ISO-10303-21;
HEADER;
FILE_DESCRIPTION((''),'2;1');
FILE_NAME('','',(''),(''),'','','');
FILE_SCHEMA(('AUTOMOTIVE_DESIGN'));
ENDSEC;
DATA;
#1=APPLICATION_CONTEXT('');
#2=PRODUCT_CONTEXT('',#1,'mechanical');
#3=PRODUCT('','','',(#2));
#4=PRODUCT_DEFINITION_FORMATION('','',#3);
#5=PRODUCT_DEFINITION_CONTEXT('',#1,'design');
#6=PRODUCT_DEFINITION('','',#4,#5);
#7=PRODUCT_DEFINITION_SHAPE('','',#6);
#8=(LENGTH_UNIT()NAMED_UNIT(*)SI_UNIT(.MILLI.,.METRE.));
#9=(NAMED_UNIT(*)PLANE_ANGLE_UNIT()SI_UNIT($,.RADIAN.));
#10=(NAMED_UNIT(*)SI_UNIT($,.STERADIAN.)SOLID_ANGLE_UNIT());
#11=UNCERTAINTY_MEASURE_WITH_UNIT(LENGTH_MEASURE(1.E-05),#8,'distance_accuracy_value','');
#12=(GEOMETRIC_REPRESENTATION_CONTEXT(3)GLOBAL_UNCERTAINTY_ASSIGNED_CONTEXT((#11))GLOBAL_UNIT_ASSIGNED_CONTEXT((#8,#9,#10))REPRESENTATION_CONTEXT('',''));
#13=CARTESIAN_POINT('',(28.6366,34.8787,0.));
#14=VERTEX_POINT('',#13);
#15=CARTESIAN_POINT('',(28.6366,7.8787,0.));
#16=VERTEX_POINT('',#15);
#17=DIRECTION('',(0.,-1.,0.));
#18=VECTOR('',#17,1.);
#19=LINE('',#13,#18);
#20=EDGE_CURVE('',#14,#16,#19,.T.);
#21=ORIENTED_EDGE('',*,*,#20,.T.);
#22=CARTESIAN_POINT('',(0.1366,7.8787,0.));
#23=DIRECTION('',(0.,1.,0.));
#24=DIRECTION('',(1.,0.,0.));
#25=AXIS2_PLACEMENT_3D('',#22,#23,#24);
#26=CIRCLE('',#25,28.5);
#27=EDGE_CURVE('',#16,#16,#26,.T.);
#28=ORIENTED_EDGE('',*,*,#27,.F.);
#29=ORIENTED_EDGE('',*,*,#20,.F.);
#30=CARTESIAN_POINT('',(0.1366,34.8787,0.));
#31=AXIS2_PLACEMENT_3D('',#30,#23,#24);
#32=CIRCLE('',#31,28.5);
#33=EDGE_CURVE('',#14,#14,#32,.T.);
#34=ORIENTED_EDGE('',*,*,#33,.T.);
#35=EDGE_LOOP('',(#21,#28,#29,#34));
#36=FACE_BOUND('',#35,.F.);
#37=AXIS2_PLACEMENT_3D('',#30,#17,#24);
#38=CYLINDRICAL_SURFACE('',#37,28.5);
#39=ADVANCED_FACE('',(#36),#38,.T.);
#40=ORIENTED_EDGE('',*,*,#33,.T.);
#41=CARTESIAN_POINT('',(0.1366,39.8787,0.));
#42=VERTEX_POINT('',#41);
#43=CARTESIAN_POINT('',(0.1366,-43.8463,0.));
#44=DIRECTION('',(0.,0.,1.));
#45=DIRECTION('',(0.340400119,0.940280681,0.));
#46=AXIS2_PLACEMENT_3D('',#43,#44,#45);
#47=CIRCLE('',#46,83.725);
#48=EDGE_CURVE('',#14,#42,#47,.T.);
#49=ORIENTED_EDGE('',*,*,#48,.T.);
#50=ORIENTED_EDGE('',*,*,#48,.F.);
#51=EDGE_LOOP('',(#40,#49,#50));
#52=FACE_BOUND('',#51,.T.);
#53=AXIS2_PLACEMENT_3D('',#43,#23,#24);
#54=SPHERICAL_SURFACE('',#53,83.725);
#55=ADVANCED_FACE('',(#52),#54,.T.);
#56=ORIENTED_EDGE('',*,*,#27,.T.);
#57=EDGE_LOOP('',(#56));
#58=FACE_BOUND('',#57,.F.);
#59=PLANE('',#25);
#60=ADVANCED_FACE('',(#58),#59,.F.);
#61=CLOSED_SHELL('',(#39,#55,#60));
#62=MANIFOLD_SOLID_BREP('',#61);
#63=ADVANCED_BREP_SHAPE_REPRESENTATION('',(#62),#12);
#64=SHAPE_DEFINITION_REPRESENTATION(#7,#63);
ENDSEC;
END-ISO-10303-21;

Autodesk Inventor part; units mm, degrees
ref_plane "YZ Plane" through (0, 0, 0) normal (1, 0, 0) x (0, 1, 0)
ref_plane "XZ Plane" through (0, 0, 0) normal (0, 1, 0) x (-1, 0, 0)
ref_plane "XY Plane" through (0, 0, 0) normal (0, 0, 1) x (1, 0, 0)
sketch "Sketch1" plane through (0, 0, 0) normal (0, 0, 1) x (1, 0, 0)
  arc A0 (28.6366, 34.8787) -> (0.1366, 39.8787) centre (0.1366, -43.8463) ccw
  line L0 (28.6366, 34.8787) -> (28.6366, 7.8787)
  line L1 (28.6366, 7.8787) -> (0.1366, 7.8787)
  line L2 (0.1366, 7.8787) -> (0.1366, 39.8787)
  point P0 (0, 0)
  point P1 (0.1366, 21.9958)
  dimension "d0" = 28.5
  dimension "d1" = 32
  dimension "d2" = 5
revolve "Revolution1" add sketch "Sketch1" angle 360 about axis through (0.1366, 7.8787, 0) along (0, 1, 0)
properties part number "door knob"
